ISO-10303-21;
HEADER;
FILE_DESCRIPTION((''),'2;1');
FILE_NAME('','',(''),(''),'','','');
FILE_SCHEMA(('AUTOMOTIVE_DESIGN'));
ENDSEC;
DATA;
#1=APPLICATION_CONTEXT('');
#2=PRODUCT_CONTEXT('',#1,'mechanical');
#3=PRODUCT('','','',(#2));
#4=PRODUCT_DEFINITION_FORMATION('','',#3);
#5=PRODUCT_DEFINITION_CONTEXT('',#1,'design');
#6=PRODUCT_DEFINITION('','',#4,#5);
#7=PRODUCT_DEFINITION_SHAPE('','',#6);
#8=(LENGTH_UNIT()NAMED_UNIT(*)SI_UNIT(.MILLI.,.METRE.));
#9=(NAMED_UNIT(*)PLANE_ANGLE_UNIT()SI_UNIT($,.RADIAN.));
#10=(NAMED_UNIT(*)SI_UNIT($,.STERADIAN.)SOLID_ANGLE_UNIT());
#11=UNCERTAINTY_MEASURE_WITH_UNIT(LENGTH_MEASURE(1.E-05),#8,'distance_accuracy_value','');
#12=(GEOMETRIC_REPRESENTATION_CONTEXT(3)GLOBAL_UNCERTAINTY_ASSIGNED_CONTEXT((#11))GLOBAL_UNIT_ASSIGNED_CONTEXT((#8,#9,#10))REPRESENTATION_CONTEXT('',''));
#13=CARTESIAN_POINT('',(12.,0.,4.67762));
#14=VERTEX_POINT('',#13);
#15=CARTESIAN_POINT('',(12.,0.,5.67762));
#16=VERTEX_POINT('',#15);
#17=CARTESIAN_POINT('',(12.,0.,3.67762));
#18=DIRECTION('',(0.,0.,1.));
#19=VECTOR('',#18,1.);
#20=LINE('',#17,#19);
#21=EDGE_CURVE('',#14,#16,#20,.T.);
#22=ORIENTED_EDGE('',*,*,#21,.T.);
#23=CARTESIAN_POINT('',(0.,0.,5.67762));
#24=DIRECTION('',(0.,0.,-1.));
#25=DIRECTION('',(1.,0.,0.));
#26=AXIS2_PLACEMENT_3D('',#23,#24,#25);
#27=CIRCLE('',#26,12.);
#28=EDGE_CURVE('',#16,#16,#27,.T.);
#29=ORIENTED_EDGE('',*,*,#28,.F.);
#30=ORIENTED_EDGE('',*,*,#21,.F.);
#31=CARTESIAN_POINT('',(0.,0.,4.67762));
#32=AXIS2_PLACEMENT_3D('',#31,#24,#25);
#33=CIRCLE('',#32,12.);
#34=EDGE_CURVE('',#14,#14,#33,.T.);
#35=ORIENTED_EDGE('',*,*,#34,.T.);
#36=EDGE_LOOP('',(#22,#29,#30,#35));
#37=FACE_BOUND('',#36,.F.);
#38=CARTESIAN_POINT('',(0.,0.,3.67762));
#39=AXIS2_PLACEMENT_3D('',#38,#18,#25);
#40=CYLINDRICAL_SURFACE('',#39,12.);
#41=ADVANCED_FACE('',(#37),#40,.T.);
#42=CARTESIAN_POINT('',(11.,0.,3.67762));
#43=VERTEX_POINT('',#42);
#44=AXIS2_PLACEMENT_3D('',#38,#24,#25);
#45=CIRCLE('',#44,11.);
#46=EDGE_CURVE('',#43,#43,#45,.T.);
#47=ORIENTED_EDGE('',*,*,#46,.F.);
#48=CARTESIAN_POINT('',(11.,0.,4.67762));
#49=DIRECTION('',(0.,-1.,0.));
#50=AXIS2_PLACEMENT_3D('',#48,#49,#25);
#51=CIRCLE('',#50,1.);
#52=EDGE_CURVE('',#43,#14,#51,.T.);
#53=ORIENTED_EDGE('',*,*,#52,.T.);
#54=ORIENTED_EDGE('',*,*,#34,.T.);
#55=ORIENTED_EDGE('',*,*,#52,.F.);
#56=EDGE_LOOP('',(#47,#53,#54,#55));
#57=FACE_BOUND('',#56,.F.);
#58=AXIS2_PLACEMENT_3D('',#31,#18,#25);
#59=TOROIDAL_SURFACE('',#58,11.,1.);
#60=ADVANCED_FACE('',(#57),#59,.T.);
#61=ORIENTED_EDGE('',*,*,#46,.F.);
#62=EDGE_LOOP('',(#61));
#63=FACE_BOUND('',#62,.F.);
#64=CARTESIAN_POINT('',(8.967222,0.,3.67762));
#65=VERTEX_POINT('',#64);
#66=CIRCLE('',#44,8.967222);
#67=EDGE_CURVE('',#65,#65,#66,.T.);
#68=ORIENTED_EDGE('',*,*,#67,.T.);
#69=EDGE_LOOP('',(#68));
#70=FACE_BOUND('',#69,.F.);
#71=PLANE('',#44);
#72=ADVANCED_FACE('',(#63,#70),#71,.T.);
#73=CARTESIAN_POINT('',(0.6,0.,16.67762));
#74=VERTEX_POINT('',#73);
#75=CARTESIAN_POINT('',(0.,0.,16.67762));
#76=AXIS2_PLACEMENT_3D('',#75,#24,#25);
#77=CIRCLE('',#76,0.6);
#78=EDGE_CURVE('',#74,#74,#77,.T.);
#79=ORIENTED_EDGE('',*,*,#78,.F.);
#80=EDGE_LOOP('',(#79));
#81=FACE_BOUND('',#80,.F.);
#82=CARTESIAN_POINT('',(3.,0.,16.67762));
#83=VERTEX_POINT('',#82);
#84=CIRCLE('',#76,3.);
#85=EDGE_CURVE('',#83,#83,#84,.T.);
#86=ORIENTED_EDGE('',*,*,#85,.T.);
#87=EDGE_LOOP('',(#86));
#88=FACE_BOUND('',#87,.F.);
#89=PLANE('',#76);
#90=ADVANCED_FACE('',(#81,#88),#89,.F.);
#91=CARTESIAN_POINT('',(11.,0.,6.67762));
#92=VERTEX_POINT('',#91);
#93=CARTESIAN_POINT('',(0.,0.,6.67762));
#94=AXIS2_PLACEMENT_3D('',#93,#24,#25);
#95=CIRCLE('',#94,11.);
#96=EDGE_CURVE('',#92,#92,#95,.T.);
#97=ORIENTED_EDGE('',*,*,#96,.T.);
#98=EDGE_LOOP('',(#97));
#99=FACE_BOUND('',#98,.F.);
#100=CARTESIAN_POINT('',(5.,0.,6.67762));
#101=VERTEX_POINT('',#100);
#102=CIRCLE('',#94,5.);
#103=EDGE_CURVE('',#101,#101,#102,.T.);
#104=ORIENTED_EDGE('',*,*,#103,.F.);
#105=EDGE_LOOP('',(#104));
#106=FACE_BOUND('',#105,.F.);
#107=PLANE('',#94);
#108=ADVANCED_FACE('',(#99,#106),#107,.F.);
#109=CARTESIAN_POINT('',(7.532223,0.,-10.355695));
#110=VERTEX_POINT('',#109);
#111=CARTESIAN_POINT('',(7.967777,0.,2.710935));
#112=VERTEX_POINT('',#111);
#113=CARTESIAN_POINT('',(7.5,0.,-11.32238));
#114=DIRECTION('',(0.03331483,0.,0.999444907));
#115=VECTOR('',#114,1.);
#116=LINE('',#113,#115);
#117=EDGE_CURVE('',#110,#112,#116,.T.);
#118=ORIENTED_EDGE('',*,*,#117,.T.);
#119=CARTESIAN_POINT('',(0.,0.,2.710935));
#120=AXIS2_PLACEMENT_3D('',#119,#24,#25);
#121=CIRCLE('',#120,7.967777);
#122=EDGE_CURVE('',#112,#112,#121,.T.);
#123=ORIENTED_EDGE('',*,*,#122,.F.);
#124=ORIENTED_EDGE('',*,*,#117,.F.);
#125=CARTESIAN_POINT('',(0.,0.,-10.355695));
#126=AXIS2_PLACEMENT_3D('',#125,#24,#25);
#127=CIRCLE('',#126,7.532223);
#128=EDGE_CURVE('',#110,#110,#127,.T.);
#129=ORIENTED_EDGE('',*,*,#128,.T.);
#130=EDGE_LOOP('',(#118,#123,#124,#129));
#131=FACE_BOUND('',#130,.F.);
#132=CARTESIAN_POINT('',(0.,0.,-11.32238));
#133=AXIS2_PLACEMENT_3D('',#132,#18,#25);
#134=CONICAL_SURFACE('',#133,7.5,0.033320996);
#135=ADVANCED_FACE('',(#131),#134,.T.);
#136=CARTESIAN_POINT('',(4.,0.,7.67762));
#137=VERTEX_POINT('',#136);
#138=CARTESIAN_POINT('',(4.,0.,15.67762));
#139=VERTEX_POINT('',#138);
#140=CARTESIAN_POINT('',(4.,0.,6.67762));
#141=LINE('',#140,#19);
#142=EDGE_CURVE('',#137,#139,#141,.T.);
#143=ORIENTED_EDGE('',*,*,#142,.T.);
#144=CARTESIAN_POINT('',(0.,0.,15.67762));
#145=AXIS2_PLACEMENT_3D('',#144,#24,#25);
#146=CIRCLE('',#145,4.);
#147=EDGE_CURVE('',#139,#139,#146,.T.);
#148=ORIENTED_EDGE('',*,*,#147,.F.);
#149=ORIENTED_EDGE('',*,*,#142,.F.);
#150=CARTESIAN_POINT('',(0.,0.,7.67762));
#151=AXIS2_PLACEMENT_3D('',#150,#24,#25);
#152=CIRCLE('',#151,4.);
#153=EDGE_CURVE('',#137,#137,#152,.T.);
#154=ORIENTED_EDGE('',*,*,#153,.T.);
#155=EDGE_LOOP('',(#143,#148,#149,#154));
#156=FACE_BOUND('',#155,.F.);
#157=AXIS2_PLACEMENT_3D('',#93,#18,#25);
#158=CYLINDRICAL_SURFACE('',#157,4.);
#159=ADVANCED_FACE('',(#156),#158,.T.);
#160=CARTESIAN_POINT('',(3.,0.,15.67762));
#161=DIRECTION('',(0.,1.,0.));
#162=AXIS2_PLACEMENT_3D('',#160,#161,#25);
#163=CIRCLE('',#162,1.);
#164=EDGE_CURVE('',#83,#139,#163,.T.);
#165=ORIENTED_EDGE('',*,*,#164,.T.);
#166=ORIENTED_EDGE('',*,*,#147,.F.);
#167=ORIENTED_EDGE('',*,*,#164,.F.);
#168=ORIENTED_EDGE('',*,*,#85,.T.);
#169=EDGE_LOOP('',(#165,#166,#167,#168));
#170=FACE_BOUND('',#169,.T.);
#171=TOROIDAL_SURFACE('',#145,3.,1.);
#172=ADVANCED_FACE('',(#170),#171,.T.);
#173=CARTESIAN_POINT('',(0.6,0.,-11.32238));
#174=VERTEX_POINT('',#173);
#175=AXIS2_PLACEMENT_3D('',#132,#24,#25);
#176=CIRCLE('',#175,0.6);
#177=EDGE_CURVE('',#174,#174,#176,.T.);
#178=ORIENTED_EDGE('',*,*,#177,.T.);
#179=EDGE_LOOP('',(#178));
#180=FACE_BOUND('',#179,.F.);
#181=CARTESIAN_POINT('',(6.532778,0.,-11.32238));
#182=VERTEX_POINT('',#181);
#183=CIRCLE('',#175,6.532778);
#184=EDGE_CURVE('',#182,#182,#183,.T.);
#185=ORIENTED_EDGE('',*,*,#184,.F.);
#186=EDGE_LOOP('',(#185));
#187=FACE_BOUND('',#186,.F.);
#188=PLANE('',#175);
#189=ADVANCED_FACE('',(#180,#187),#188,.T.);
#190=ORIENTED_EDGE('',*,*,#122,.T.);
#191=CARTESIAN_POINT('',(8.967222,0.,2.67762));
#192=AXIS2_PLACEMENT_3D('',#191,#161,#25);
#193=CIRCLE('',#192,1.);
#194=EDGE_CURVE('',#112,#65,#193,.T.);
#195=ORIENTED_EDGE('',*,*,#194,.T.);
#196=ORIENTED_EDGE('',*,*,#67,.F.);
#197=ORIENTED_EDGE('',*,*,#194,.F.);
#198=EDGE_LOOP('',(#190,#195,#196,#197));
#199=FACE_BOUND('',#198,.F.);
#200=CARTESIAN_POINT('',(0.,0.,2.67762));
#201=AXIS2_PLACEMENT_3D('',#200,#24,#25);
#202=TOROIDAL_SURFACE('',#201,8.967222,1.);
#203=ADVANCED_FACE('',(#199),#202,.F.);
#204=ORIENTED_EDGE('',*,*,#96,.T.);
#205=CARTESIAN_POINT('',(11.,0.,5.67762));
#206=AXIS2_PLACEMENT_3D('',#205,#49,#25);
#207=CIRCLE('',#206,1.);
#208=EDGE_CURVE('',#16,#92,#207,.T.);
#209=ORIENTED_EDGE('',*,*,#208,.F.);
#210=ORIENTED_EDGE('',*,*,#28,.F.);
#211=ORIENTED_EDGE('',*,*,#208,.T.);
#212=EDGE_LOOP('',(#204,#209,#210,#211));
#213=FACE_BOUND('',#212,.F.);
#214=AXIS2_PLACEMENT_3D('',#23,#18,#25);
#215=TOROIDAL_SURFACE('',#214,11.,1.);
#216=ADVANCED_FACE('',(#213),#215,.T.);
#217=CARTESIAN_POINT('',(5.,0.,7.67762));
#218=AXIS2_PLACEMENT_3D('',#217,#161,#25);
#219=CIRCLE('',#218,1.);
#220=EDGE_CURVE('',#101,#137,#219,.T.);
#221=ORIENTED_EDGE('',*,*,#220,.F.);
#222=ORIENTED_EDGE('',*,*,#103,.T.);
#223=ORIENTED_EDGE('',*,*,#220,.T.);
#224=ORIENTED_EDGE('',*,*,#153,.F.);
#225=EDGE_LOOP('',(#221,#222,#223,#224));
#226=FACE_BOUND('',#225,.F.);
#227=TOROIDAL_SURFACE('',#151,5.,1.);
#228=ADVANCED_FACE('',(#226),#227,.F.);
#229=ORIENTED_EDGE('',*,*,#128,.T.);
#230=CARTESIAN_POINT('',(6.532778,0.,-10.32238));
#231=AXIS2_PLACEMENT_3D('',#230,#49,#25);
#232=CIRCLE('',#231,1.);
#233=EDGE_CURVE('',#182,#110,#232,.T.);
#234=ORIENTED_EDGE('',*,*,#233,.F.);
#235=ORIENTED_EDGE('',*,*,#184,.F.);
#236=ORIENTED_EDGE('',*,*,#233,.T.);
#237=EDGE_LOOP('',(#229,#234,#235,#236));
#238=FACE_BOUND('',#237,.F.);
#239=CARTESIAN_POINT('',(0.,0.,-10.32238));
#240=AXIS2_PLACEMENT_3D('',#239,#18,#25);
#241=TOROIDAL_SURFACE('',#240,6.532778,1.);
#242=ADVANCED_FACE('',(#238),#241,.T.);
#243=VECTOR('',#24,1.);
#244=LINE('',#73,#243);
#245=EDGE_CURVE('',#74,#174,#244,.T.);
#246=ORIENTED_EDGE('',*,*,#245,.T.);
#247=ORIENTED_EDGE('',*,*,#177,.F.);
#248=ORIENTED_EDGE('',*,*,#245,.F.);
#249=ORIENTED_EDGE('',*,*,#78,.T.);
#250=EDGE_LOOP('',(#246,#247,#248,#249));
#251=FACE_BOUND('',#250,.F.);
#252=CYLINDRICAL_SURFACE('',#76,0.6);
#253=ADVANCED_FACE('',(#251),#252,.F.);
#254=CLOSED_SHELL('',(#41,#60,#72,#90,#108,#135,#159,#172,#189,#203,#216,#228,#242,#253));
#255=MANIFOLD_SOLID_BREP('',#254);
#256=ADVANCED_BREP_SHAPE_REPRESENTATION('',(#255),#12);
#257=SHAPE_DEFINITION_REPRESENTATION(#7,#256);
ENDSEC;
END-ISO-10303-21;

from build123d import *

# Parameters (mm, degrees)
F2_R = 1


with BuildPart() as f1:
    # F0 (on Front) → F1 (revolve)
    with BuildSketch(Plane.XZ):
        Polygon((4, 16.67762), (0.6, 16.67762), (0.6, -11.32238), (7.5, -11.32238), (8, 3.67762), (12, 3.67762), (12, 6.67762), (4, 6.67762), align=None)
    revolve(axis=Axis((0, 0, 0.295774), (0, 0, -1)))

    # F2
    f2_edges = [f1.edges().sort_by_distance(p)[0] for p in [
        (-7.5, 0, -11.32238),
        (-8, 0, 3.67762),
        (-12, 0, 3.67762),
        (-12, 0, 6.67762),
        (-4, 0, 16.67762),
        (-4, 0, 6.67762),
    ]]
    fillet(f2_edges, radius=F2_R)


solid = f1.part
